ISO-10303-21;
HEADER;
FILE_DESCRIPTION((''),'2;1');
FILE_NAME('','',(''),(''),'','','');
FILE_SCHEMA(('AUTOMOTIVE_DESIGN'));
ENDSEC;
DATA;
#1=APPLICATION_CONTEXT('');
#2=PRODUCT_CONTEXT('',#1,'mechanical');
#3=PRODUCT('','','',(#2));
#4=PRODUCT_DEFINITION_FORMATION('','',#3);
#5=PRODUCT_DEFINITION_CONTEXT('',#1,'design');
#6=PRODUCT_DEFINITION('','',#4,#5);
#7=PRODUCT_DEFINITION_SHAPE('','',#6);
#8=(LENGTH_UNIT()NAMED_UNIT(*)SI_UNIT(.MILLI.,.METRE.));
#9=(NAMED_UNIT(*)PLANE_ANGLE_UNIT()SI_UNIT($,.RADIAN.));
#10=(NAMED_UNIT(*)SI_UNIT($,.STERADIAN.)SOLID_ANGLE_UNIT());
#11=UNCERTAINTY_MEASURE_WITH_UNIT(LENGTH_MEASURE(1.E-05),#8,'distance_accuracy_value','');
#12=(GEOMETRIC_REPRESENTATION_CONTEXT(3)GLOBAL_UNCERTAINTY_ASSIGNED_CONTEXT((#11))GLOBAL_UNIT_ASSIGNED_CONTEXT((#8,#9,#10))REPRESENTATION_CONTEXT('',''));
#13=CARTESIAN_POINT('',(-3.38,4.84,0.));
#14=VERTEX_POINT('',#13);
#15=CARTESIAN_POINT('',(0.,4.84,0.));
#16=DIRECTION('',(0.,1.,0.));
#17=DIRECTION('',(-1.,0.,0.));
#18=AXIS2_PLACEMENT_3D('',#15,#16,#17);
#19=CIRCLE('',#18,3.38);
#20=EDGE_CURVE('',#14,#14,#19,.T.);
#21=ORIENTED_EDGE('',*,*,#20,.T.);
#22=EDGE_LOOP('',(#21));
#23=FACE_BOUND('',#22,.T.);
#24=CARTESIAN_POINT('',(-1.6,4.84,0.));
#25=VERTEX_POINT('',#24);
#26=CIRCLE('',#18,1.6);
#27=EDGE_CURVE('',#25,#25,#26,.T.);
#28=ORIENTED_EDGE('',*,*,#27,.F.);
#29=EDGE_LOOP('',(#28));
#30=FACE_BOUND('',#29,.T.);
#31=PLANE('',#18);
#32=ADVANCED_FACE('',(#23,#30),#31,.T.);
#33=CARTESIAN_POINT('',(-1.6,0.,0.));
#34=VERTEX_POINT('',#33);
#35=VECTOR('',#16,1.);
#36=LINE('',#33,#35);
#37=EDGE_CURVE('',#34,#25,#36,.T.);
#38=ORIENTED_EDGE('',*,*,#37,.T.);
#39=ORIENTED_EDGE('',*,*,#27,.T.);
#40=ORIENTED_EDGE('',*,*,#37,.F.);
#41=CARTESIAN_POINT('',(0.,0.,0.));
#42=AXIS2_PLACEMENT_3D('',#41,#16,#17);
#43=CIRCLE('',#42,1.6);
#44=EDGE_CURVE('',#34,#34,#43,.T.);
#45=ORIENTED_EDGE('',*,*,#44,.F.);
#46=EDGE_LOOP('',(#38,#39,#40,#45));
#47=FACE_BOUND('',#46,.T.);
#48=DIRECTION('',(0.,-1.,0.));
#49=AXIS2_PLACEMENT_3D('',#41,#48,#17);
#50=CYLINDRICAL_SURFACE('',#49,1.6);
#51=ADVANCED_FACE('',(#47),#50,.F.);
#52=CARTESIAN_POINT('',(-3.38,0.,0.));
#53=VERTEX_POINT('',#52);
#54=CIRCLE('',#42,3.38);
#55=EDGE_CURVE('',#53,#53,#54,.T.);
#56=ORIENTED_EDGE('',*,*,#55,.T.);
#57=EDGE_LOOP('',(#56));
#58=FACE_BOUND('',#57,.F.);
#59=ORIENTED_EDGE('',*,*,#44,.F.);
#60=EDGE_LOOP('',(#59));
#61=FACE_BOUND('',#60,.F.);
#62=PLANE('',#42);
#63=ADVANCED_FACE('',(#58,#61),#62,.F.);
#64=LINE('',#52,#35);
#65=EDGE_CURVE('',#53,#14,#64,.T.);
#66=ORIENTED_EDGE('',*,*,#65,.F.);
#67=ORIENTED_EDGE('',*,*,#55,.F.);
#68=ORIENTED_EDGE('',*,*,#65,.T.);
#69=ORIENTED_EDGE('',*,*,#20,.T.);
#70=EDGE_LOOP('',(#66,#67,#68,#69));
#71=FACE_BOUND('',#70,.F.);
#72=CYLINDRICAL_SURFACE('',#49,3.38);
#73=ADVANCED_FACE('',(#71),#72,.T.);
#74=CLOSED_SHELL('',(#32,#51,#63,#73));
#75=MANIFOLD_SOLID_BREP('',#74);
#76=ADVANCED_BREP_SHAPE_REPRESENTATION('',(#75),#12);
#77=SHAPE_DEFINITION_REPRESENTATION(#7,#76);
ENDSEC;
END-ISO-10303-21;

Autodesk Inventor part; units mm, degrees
ref_plane "YZ Plane" through (0, 0, 0) normal (1, 0, 0) x (0, 1, 0)
ref_plane "XZ Plane" through (0, 0, 0) normal (0, 1, 0) x (-1, 0, 0)
ref_plane "XY Plane" through (0, 0, 0) normal (0, 0, 1) x (1, 0, 0)
sketch "Sketch1" plane through (0, 0, 0) normal (0, 1, 0) x (-1, 0, 0)
  circle A0 centre (0, 0) radius 3.38
  circle A1 centre (0, 0) radius 1.6
  dimension "d0" = 6.76
  dimension "d1" = 3.2
extrude "Extrusion1" add sketch "Sketch1" along normal blind 4.84
properties part number "distance_small"
